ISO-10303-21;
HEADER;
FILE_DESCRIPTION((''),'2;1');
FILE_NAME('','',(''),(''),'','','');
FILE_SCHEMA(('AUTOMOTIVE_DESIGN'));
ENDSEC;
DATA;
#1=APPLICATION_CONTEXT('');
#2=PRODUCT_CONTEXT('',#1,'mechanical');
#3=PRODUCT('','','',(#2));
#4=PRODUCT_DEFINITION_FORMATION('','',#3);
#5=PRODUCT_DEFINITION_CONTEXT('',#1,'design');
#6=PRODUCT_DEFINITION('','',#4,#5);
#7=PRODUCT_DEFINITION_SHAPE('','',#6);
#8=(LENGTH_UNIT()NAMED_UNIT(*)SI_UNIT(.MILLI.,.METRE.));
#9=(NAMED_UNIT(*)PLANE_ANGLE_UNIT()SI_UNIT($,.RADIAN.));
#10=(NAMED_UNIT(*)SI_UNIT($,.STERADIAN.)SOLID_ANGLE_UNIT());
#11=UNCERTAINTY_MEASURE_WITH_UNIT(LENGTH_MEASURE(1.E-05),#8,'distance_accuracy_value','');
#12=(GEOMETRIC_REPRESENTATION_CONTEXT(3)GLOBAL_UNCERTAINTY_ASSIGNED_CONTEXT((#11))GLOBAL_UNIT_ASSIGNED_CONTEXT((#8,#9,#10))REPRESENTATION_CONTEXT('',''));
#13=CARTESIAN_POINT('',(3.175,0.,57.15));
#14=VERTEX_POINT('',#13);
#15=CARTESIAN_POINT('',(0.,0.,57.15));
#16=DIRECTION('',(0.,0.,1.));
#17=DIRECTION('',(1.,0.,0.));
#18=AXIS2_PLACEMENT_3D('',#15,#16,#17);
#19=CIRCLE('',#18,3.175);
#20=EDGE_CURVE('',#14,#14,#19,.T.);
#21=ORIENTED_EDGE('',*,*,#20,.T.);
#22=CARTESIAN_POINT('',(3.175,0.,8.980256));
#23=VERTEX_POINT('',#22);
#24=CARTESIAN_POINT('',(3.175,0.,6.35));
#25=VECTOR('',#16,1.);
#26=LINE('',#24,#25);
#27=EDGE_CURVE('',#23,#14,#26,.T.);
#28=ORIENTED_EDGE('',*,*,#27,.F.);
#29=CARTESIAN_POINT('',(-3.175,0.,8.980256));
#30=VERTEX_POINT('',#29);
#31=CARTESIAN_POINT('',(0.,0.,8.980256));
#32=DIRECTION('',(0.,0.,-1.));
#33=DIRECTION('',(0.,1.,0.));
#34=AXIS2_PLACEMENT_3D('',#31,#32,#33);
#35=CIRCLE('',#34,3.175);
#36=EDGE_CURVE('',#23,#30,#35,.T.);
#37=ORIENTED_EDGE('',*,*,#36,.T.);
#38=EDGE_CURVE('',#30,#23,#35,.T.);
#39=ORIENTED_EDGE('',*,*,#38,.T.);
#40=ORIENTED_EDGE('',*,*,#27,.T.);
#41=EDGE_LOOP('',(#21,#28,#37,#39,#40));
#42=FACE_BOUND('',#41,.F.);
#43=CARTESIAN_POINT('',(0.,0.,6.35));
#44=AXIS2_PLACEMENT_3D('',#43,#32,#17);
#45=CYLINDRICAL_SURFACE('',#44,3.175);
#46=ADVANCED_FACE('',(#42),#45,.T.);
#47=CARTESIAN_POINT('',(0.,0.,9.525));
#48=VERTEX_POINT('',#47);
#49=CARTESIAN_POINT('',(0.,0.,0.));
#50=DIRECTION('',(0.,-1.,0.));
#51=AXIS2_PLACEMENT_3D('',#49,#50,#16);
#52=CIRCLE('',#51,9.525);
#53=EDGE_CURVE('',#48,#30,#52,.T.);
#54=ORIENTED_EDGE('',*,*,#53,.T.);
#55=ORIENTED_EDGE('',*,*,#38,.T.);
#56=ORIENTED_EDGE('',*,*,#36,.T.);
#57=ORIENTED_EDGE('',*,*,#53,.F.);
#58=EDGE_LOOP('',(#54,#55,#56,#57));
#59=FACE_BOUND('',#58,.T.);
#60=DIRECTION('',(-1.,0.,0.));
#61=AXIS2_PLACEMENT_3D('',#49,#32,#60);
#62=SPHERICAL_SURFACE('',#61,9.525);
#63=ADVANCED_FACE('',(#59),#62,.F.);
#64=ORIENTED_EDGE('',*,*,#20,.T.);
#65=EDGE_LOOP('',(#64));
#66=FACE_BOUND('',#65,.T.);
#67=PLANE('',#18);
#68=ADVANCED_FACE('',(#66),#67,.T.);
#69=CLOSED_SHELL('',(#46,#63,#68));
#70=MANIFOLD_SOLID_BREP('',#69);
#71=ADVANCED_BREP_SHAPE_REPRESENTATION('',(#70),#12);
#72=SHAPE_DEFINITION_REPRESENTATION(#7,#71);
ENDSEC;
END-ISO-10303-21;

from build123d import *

# Parameters (mm, degrees)
F4_R     = 3.175
F5_DEPTH = 50.8


with BuildPart() as f2:
    # F0 (on Front) → F2 (revolve)
    with BuildSketch(Plane.XZ):
        with BuildLine():
            Line((0, -9.525), (0, 9.525))
            ThreePointArc((0, 9.525), (-9.525, 0), (0, -9.525))
        make_face()
    revolve(axis=Axis((0, 0, 0), (0, 0, 1)))


with BuildPart() as f5:
    # F4 (on offset) → F5 (new body)
    with BuildSketch(Plane.XY.offset(6.35)):
        Circle(F4_R)
    extrude(amount=F5_DEPTH)

    # F6: cut F2
    add(f2.part, mode=Mode.SUBTRACT)


solid = f5.part
